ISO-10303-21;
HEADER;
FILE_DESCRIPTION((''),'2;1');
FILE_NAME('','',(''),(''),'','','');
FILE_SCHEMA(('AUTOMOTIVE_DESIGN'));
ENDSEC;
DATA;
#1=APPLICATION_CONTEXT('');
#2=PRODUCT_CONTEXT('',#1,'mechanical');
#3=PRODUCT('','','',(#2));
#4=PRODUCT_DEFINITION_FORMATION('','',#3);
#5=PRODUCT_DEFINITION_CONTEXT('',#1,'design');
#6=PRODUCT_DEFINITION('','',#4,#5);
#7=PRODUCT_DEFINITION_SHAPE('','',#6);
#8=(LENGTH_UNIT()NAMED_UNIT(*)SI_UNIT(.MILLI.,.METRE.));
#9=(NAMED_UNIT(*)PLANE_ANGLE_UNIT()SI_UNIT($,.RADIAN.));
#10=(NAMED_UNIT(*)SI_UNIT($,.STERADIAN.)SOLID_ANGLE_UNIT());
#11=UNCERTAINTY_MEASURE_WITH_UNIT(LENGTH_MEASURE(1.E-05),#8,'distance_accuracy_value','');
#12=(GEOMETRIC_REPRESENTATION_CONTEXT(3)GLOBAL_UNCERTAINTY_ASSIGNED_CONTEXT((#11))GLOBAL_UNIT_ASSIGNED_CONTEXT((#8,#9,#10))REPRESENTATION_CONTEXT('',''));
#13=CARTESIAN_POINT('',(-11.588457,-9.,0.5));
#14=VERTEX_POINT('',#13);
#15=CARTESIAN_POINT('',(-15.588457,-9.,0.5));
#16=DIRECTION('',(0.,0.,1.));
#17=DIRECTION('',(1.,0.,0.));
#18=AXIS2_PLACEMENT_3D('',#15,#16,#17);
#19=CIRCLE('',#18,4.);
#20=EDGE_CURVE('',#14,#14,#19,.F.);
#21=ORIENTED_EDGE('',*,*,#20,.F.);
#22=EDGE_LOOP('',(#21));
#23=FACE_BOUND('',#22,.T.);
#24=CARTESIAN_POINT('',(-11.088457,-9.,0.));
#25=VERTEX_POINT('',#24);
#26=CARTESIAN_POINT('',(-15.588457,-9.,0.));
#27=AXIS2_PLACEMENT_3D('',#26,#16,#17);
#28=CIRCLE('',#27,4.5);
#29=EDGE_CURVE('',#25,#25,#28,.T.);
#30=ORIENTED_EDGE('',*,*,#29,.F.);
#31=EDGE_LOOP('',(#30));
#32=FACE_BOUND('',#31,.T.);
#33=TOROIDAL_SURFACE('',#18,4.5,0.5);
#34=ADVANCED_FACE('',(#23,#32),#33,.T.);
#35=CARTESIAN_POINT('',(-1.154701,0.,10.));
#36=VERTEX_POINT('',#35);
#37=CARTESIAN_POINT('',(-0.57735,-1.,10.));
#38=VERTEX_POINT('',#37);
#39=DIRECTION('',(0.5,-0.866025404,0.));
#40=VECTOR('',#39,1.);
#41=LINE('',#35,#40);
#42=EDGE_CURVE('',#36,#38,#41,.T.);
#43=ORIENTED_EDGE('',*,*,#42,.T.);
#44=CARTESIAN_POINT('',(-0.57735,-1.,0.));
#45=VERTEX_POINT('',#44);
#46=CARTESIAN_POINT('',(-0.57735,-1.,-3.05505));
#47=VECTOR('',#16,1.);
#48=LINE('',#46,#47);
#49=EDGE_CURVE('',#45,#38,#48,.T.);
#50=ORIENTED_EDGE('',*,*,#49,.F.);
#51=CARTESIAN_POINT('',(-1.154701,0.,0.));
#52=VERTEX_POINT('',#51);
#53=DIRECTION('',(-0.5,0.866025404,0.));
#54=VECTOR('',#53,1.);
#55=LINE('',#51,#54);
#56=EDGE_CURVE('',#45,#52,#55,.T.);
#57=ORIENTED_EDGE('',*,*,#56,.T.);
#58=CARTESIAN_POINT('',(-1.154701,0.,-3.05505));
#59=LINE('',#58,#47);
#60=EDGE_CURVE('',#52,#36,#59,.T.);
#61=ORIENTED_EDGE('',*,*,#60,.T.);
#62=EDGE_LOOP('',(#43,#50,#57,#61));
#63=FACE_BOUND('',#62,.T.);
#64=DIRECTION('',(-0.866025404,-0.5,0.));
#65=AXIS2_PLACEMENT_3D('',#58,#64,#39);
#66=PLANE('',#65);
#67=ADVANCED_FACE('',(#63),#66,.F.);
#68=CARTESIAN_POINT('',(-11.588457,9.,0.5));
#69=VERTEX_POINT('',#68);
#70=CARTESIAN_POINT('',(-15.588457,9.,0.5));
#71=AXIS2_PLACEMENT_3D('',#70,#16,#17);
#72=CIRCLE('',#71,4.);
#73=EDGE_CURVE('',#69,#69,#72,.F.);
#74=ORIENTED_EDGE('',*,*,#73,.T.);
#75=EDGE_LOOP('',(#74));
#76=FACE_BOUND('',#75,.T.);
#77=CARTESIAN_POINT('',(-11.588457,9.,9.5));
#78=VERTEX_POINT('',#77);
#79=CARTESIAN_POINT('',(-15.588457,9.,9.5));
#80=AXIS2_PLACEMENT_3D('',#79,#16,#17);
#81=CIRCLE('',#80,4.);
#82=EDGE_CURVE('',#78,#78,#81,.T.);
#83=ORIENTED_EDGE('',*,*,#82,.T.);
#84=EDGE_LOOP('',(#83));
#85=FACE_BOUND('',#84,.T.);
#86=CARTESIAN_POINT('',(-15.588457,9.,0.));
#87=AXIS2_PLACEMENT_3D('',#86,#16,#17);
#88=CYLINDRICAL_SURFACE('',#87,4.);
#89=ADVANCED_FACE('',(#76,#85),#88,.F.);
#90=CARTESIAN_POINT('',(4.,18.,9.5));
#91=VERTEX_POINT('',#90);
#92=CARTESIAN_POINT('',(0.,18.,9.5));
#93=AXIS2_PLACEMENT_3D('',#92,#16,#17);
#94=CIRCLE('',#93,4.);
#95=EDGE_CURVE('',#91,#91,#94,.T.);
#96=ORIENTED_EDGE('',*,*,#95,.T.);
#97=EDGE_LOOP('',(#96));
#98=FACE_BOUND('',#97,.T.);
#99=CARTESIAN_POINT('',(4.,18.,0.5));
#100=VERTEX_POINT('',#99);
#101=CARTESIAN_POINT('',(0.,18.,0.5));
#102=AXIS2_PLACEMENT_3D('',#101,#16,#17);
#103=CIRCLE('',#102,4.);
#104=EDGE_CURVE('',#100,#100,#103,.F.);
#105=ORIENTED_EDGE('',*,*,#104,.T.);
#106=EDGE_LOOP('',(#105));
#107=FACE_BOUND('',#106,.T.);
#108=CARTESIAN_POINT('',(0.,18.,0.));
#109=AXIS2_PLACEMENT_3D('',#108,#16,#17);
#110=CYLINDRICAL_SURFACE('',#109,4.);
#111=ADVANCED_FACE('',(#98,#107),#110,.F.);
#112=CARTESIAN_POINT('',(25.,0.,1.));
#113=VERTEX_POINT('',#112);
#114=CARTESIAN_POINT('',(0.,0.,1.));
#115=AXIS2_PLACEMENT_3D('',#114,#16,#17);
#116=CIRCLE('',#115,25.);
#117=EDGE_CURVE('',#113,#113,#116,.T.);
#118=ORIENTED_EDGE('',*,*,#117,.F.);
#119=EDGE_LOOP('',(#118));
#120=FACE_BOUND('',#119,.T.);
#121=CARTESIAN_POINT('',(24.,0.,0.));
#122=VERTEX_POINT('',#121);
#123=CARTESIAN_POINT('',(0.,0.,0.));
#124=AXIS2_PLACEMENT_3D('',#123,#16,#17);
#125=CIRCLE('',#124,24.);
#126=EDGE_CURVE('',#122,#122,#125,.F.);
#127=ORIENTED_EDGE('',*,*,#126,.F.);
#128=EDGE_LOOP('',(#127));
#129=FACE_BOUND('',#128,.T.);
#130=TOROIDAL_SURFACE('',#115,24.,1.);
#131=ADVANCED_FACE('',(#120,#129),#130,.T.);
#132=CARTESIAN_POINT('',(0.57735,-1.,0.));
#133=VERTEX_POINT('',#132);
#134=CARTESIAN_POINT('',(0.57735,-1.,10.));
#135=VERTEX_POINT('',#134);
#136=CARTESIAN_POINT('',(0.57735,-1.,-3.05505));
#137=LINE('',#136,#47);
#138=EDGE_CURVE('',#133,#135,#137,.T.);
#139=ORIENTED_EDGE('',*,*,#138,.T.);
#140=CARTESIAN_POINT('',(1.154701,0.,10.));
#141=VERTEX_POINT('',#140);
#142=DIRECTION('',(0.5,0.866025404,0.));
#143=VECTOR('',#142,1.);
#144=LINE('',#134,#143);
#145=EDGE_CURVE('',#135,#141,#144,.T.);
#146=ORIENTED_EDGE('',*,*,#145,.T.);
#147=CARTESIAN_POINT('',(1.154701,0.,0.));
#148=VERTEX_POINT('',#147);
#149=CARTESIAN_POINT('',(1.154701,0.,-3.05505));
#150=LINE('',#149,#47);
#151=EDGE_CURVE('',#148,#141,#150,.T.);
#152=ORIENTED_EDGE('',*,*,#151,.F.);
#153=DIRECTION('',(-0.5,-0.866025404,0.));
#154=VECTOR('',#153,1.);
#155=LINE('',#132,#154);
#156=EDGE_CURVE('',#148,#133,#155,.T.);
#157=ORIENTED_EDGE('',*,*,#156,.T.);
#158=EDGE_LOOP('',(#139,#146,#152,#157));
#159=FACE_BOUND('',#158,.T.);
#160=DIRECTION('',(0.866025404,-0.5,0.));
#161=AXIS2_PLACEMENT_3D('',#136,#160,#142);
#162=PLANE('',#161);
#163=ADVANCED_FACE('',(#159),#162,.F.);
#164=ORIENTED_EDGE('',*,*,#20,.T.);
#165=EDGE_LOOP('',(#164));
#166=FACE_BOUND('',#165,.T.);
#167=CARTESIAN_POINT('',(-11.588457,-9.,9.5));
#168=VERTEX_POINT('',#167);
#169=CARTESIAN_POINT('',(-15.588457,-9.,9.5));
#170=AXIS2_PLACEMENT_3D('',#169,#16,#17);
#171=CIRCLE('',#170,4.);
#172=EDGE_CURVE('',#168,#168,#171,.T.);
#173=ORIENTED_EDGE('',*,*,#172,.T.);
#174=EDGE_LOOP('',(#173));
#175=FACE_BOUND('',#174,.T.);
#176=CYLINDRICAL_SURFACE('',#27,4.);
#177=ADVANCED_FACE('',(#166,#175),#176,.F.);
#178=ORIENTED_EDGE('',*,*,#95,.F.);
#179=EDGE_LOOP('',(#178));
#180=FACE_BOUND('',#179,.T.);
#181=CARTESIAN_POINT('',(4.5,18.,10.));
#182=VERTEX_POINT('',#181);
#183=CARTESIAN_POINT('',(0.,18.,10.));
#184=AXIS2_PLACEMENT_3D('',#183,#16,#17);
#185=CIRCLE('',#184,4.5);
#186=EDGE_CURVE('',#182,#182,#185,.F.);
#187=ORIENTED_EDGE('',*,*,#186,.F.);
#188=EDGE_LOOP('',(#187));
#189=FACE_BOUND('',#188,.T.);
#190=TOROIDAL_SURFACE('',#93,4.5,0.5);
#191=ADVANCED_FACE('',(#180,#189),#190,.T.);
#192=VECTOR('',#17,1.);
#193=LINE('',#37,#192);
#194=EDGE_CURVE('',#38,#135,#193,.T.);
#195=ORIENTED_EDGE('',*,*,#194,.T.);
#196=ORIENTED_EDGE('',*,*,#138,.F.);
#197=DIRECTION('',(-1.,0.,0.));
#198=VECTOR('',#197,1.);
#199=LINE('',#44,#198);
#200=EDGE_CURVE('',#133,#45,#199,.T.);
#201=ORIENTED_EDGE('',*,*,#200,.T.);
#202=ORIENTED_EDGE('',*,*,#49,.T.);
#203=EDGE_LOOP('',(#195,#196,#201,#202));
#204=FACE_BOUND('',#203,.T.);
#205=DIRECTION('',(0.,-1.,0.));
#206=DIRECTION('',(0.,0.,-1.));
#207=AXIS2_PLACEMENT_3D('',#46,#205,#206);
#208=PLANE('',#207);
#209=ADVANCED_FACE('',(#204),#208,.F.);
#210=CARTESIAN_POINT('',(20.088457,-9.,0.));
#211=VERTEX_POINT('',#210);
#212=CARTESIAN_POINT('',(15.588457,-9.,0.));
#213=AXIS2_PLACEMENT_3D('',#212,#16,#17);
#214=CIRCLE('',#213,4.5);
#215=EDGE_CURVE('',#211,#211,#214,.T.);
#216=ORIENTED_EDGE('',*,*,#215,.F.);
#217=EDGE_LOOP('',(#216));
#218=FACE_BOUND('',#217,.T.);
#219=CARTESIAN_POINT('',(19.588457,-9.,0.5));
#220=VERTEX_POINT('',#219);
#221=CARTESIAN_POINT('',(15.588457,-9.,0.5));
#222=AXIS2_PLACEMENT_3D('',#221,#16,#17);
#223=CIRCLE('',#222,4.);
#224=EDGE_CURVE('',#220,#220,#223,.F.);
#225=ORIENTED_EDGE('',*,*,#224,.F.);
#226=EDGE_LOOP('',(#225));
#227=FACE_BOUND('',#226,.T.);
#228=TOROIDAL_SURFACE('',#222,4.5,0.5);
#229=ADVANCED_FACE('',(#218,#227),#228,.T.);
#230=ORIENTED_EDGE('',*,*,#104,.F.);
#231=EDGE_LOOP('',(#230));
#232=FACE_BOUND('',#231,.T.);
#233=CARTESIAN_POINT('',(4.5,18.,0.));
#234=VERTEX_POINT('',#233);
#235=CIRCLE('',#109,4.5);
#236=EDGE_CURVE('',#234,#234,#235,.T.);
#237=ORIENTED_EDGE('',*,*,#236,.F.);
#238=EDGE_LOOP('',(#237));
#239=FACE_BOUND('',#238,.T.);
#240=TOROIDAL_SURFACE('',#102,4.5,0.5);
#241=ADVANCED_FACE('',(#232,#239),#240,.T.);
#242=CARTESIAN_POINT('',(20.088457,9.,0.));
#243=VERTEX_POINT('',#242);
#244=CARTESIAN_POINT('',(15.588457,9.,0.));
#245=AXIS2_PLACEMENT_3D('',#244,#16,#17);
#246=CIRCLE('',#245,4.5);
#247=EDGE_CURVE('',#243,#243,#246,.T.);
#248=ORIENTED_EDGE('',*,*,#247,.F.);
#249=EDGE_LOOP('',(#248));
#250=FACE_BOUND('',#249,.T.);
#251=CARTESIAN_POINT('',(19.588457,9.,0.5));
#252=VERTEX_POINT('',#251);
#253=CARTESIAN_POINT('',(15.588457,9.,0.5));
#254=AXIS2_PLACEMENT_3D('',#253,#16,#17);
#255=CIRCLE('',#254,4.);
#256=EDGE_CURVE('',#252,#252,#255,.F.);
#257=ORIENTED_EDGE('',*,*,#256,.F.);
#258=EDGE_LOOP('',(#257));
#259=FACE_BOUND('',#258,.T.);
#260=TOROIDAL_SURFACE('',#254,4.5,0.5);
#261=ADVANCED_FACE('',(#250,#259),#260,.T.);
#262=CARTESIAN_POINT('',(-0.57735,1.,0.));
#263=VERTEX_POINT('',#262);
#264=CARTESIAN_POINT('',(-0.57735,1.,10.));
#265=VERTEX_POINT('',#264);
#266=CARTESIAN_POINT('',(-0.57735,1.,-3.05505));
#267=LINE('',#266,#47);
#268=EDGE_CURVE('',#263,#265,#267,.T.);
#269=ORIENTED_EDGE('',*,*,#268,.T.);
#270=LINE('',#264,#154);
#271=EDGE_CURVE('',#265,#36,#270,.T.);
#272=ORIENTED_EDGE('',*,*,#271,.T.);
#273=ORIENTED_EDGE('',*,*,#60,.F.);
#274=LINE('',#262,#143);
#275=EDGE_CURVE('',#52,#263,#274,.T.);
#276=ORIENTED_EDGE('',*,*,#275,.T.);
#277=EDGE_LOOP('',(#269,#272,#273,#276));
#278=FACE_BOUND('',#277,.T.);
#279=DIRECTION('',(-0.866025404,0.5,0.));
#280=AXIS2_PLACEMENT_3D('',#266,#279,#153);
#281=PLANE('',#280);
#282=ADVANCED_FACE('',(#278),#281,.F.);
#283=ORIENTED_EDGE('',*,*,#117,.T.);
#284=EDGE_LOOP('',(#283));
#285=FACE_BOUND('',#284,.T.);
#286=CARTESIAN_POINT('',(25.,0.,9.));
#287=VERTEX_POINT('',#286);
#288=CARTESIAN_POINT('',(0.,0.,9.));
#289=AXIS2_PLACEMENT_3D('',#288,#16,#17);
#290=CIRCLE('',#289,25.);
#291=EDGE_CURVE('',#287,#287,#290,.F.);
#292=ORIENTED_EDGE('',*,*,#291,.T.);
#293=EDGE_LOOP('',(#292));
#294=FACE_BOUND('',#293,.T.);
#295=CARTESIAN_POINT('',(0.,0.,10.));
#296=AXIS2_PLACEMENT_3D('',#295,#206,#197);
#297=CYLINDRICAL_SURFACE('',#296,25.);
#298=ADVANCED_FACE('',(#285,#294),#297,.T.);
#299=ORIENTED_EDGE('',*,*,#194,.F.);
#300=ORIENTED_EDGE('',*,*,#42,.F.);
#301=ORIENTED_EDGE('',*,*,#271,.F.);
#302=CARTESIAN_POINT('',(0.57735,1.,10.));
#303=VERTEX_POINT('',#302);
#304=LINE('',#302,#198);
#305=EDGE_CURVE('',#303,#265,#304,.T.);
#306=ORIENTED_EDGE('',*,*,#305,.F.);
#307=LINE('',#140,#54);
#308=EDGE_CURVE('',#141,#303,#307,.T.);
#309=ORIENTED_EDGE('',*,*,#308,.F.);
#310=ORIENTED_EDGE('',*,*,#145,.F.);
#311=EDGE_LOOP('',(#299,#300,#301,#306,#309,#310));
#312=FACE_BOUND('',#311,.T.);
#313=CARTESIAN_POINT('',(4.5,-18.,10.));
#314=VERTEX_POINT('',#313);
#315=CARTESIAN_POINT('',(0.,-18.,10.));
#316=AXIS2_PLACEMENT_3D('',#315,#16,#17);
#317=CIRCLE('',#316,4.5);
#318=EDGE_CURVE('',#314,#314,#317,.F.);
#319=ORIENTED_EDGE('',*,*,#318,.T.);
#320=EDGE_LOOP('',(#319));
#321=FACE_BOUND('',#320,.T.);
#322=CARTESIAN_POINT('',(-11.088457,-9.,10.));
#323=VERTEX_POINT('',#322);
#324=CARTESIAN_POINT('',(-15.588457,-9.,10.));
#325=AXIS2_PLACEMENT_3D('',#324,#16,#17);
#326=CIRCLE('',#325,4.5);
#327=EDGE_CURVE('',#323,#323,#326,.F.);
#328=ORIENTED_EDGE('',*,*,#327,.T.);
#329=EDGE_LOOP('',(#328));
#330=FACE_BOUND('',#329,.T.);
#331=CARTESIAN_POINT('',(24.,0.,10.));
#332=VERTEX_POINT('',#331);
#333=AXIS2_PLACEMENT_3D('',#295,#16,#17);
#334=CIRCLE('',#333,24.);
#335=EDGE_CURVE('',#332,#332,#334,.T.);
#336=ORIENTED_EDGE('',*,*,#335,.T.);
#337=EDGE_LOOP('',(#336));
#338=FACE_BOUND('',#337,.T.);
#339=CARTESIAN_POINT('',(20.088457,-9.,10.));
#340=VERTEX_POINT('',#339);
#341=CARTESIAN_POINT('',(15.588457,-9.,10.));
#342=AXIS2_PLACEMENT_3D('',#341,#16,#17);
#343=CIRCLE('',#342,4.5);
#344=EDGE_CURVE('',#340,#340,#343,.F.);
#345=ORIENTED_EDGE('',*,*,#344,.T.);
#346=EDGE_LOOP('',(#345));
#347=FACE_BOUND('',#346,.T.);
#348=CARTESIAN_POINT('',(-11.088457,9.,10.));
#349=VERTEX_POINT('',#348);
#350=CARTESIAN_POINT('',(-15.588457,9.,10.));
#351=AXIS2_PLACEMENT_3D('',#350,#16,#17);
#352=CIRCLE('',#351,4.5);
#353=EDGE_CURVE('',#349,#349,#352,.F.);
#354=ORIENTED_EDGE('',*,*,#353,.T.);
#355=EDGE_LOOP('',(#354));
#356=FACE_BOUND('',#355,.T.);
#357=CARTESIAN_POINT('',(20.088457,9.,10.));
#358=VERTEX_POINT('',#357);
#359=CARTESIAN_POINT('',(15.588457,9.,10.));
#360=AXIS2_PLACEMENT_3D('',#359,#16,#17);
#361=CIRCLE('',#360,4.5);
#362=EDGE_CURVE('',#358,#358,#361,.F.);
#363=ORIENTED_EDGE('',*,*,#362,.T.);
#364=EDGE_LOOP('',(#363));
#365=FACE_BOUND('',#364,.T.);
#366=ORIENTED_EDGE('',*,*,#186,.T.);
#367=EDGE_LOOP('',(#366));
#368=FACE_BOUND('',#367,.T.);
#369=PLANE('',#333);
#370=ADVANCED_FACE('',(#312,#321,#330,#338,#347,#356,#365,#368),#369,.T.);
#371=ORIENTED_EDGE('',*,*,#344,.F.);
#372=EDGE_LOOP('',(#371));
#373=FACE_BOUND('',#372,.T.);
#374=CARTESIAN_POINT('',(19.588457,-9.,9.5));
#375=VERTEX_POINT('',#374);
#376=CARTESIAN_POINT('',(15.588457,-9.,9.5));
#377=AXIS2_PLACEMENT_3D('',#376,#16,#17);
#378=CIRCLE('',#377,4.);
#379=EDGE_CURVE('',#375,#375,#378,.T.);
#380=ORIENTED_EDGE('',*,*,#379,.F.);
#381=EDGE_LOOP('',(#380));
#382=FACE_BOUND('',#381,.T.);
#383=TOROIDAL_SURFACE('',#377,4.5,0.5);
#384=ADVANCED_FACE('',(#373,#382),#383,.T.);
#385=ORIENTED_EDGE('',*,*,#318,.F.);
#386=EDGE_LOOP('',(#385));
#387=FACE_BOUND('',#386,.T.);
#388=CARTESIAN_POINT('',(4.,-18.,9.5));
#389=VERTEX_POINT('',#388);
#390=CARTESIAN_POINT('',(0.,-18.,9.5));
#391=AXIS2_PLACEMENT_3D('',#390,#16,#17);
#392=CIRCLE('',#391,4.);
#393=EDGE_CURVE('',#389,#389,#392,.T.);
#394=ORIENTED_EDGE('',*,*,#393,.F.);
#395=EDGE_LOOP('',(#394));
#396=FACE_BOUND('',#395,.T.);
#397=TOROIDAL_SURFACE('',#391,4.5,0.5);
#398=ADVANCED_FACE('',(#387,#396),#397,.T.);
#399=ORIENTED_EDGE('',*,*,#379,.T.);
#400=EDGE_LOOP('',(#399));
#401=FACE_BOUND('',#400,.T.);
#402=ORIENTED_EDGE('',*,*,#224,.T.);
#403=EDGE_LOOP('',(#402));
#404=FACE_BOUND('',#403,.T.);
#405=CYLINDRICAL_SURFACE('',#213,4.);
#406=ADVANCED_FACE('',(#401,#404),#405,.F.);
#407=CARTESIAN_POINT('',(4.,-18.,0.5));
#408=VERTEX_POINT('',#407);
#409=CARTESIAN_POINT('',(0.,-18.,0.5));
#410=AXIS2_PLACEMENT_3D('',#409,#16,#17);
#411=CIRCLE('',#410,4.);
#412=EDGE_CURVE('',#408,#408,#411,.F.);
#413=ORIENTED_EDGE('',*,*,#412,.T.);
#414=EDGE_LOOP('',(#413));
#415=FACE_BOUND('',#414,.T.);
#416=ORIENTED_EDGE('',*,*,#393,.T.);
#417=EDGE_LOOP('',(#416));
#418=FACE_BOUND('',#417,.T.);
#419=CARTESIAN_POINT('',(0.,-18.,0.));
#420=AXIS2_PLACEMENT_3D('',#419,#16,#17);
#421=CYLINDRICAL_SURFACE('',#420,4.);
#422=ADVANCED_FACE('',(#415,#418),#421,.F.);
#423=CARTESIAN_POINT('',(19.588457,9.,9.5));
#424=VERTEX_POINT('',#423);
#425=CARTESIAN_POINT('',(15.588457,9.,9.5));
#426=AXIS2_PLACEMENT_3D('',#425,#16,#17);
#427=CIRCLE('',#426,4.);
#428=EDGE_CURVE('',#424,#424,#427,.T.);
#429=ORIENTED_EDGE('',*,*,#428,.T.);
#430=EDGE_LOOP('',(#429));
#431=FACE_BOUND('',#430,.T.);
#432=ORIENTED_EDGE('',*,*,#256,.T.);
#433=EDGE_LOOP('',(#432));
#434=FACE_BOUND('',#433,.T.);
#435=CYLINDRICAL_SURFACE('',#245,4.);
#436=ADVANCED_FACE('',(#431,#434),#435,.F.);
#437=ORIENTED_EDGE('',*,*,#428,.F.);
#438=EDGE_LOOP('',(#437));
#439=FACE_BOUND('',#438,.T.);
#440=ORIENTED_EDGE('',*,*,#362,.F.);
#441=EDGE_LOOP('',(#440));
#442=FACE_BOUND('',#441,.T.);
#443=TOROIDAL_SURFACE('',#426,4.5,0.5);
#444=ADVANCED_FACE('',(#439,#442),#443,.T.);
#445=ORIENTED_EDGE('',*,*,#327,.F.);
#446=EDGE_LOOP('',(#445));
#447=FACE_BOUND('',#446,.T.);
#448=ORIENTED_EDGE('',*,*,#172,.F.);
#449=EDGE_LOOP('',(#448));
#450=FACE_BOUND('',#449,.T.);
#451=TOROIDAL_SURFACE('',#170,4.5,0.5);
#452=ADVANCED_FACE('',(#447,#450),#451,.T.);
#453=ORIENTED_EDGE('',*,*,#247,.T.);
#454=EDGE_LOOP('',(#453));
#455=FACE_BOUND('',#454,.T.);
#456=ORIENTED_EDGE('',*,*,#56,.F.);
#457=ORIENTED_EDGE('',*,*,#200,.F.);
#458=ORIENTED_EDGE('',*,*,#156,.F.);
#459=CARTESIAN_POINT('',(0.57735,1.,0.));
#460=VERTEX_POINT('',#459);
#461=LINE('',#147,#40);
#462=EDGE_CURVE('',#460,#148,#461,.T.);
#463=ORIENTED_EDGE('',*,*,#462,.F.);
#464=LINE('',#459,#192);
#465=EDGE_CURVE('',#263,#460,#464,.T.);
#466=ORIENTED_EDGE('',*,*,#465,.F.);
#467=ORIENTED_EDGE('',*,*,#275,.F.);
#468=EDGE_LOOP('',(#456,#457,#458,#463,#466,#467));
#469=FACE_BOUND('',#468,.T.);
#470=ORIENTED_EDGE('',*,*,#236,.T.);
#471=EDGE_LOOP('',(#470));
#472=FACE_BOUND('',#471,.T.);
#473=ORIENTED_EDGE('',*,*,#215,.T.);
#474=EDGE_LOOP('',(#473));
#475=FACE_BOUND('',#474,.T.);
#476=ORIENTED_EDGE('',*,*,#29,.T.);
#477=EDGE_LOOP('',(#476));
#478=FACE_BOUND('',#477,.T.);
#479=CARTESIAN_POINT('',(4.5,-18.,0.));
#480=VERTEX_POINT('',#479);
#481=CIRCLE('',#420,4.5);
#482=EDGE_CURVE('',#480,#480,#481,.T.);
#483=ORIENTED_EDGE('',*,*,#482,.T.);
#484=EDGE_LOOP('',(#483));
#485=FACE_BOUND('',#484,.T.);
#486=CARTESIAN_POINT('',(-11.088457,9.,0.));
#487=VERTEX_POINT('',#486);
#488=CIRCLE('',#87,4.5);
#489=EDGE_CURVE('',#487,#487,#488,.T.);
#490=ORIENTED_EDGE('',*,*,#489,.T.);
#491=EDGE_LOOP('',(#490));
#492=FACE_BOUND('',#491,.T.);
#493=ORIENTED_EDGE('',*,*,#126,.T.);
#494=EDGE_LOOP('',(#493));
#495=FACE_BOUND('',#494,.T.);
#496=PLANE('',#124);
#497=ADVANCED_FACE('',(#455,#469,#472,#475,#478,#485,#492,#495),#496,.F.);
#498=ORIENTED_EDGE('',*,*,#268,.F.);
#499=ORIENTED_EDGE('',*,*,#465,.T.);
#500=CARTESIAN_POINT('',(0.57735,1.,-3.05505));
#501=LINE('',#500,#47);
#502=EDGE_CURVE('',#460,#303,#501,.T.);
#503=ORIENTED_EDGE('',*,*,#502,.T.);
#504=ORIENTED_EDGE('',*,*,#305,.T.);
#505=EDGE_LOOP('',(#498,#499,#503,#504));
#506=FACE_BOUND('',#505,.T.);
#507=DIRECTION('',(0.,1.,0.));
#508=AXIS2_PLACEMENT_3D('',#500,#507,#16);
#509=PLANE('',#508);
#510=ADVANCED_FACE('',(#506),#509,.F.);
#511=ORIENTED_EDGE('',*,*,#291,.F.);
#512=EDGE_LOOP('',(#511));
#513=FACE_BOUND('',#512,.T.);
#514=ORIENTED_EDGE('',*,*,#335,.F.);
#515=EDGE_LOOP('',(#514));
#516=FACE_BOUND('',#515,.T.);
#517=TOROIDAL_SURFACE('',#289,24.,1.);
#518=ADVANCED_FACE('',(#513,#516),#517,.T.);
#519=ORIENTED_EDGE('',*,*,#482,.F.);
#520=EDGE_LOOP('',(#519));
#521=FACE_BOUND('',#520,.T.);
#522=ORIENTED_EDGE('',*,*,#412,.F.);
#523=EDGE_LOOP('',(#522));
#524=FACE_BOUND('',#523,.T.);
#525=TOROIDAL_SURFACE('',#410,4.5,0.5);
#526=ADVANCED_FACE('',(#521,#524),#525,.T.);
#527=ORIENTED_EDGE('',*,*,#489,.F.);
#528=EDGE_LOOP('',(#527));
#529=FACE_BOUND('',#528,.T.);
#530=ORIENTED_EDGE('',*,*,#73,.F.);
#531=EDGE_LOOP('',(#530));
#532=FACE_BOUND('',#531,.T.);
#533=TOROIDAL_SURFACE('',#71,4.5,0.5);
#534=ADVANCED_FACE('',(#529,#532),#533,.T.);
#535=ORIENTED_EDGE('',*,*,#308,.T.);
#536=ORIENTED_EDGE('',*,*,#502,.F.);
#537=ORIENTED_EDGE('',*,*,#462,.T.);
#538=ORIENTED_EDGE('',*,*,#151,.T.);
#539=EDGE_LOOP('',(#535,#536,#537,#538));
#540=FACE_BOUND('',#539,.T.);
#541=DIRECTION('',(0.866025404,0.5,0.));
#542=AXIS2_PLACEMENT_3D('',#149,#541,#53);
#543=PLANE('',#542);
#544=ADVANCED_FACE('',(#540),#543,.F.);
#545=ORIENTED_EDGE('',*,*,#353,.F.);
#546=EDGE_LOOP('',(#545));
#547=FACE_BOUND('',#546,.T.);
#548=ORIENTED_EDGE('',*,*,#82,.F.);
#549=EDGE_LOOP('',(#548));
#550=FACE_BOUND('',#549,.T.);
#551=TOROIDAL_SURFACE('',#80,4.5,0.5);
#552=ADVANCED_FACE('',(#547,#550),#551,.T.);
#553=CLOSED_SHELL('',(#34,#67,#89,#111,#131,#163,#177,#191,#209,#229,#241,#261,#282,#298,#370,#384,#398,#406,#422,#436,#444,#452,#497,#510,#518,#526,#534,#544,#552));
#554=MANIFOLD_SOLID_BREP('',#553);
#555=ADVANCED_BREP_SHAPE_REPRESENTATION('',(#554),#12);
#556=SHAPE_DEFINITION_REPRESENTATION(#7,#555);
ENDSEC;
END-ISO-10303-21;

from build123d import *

# Parameters (mm, degrees)
SKETCH1_R           = 25
BOSS_EXTRUDE1_DEPTH = 10
SKETCH3_R           = 4
CUT_EXTRUDE3_DEPTH  = 11
CIRPATTERN1_COUNT   = 6
FILLET1_R           = 1
FILLET2_R           = 0.5
CUT_EXTRUDE4_DEPTH  = 10


with BuildPart() as part:
    # Sketch1 → Boss-Extrude1 (new body)
    with BuildSketch(Plane.XY):
        Circle(SKETCH1_R)
    extrude(amount=BOSS_EXTRUDE1_DEPTH)

    # Sketch3 → Cut-Extrude3 (cut, through all)
    with BuildSketch(Plane.XY.offset(10)):
        with Locations((0, 18)):
            Circle(SKETCH3_R)
    cut_extrude3 = extrude(amount=-CUT_EXTRUDE3_DEPTH, mode=Mode.SUBTRACT)

    # CirPattern1: Cut-Extrude3 ×6 about axis
    cirpattern1_axis = Axis((0, 0, 0), (0, 0, 1))
    for i in range(1, CIRPATTERN1_COUNT):
        add(cut_extrude3.rotate(cirpattern1_axis, i * 360 / CIRPATTERN1_COUNT), mode=Mode.SUBTRACT)

    # Fillet1
    fillet1_edges = [part.edges().sort_by_distance(p)[0] for p in [
        (-25, 0, 0),
        (-25, 0, 10),
    ]]
    fillet(fillet1_edges, radius=FILLET1_R)

    # Fillet2
    fillet2_edges = [part.edges().sort_by_distance(p)[0] for p in [
        (13.588457268, 12.464101615, 0),
        (13.588457268, 12.464101615, 10),
        (17.588457268, -5.535898385, 0),
        (17.588457268, -5.535898385, 10),
        (4, -18, 0),
        (4, -18, 10),
        (-13.588457268, -12.464101615, 0),
        (-13.588457268, -12.464101615, 10),
        (-17.588457268, 5.535898385, 0),
        (-17.588457268, 5.535898385, 10),
        (-4, 18, 0),
        (-4, 18, 10),
    ]]
    fillet(fillet2_edges, radius=FILLET2_R)

    # Sketch2 → Cut-Extrude4 (cut)
    with BuildSketch(Plane.XY.offset(10)):
        Polygon((1.154700538, 0), (0.577350269, 1), (-0.577350269, 1), (-1.154700538, 0), (-0.577350269, -1), (0.577350269, -1), align=None)
    extrude(amount=-CUT_EXTRUDE4_DEPTH, mode=Mode.SUBTRACT)


solid = part.part
